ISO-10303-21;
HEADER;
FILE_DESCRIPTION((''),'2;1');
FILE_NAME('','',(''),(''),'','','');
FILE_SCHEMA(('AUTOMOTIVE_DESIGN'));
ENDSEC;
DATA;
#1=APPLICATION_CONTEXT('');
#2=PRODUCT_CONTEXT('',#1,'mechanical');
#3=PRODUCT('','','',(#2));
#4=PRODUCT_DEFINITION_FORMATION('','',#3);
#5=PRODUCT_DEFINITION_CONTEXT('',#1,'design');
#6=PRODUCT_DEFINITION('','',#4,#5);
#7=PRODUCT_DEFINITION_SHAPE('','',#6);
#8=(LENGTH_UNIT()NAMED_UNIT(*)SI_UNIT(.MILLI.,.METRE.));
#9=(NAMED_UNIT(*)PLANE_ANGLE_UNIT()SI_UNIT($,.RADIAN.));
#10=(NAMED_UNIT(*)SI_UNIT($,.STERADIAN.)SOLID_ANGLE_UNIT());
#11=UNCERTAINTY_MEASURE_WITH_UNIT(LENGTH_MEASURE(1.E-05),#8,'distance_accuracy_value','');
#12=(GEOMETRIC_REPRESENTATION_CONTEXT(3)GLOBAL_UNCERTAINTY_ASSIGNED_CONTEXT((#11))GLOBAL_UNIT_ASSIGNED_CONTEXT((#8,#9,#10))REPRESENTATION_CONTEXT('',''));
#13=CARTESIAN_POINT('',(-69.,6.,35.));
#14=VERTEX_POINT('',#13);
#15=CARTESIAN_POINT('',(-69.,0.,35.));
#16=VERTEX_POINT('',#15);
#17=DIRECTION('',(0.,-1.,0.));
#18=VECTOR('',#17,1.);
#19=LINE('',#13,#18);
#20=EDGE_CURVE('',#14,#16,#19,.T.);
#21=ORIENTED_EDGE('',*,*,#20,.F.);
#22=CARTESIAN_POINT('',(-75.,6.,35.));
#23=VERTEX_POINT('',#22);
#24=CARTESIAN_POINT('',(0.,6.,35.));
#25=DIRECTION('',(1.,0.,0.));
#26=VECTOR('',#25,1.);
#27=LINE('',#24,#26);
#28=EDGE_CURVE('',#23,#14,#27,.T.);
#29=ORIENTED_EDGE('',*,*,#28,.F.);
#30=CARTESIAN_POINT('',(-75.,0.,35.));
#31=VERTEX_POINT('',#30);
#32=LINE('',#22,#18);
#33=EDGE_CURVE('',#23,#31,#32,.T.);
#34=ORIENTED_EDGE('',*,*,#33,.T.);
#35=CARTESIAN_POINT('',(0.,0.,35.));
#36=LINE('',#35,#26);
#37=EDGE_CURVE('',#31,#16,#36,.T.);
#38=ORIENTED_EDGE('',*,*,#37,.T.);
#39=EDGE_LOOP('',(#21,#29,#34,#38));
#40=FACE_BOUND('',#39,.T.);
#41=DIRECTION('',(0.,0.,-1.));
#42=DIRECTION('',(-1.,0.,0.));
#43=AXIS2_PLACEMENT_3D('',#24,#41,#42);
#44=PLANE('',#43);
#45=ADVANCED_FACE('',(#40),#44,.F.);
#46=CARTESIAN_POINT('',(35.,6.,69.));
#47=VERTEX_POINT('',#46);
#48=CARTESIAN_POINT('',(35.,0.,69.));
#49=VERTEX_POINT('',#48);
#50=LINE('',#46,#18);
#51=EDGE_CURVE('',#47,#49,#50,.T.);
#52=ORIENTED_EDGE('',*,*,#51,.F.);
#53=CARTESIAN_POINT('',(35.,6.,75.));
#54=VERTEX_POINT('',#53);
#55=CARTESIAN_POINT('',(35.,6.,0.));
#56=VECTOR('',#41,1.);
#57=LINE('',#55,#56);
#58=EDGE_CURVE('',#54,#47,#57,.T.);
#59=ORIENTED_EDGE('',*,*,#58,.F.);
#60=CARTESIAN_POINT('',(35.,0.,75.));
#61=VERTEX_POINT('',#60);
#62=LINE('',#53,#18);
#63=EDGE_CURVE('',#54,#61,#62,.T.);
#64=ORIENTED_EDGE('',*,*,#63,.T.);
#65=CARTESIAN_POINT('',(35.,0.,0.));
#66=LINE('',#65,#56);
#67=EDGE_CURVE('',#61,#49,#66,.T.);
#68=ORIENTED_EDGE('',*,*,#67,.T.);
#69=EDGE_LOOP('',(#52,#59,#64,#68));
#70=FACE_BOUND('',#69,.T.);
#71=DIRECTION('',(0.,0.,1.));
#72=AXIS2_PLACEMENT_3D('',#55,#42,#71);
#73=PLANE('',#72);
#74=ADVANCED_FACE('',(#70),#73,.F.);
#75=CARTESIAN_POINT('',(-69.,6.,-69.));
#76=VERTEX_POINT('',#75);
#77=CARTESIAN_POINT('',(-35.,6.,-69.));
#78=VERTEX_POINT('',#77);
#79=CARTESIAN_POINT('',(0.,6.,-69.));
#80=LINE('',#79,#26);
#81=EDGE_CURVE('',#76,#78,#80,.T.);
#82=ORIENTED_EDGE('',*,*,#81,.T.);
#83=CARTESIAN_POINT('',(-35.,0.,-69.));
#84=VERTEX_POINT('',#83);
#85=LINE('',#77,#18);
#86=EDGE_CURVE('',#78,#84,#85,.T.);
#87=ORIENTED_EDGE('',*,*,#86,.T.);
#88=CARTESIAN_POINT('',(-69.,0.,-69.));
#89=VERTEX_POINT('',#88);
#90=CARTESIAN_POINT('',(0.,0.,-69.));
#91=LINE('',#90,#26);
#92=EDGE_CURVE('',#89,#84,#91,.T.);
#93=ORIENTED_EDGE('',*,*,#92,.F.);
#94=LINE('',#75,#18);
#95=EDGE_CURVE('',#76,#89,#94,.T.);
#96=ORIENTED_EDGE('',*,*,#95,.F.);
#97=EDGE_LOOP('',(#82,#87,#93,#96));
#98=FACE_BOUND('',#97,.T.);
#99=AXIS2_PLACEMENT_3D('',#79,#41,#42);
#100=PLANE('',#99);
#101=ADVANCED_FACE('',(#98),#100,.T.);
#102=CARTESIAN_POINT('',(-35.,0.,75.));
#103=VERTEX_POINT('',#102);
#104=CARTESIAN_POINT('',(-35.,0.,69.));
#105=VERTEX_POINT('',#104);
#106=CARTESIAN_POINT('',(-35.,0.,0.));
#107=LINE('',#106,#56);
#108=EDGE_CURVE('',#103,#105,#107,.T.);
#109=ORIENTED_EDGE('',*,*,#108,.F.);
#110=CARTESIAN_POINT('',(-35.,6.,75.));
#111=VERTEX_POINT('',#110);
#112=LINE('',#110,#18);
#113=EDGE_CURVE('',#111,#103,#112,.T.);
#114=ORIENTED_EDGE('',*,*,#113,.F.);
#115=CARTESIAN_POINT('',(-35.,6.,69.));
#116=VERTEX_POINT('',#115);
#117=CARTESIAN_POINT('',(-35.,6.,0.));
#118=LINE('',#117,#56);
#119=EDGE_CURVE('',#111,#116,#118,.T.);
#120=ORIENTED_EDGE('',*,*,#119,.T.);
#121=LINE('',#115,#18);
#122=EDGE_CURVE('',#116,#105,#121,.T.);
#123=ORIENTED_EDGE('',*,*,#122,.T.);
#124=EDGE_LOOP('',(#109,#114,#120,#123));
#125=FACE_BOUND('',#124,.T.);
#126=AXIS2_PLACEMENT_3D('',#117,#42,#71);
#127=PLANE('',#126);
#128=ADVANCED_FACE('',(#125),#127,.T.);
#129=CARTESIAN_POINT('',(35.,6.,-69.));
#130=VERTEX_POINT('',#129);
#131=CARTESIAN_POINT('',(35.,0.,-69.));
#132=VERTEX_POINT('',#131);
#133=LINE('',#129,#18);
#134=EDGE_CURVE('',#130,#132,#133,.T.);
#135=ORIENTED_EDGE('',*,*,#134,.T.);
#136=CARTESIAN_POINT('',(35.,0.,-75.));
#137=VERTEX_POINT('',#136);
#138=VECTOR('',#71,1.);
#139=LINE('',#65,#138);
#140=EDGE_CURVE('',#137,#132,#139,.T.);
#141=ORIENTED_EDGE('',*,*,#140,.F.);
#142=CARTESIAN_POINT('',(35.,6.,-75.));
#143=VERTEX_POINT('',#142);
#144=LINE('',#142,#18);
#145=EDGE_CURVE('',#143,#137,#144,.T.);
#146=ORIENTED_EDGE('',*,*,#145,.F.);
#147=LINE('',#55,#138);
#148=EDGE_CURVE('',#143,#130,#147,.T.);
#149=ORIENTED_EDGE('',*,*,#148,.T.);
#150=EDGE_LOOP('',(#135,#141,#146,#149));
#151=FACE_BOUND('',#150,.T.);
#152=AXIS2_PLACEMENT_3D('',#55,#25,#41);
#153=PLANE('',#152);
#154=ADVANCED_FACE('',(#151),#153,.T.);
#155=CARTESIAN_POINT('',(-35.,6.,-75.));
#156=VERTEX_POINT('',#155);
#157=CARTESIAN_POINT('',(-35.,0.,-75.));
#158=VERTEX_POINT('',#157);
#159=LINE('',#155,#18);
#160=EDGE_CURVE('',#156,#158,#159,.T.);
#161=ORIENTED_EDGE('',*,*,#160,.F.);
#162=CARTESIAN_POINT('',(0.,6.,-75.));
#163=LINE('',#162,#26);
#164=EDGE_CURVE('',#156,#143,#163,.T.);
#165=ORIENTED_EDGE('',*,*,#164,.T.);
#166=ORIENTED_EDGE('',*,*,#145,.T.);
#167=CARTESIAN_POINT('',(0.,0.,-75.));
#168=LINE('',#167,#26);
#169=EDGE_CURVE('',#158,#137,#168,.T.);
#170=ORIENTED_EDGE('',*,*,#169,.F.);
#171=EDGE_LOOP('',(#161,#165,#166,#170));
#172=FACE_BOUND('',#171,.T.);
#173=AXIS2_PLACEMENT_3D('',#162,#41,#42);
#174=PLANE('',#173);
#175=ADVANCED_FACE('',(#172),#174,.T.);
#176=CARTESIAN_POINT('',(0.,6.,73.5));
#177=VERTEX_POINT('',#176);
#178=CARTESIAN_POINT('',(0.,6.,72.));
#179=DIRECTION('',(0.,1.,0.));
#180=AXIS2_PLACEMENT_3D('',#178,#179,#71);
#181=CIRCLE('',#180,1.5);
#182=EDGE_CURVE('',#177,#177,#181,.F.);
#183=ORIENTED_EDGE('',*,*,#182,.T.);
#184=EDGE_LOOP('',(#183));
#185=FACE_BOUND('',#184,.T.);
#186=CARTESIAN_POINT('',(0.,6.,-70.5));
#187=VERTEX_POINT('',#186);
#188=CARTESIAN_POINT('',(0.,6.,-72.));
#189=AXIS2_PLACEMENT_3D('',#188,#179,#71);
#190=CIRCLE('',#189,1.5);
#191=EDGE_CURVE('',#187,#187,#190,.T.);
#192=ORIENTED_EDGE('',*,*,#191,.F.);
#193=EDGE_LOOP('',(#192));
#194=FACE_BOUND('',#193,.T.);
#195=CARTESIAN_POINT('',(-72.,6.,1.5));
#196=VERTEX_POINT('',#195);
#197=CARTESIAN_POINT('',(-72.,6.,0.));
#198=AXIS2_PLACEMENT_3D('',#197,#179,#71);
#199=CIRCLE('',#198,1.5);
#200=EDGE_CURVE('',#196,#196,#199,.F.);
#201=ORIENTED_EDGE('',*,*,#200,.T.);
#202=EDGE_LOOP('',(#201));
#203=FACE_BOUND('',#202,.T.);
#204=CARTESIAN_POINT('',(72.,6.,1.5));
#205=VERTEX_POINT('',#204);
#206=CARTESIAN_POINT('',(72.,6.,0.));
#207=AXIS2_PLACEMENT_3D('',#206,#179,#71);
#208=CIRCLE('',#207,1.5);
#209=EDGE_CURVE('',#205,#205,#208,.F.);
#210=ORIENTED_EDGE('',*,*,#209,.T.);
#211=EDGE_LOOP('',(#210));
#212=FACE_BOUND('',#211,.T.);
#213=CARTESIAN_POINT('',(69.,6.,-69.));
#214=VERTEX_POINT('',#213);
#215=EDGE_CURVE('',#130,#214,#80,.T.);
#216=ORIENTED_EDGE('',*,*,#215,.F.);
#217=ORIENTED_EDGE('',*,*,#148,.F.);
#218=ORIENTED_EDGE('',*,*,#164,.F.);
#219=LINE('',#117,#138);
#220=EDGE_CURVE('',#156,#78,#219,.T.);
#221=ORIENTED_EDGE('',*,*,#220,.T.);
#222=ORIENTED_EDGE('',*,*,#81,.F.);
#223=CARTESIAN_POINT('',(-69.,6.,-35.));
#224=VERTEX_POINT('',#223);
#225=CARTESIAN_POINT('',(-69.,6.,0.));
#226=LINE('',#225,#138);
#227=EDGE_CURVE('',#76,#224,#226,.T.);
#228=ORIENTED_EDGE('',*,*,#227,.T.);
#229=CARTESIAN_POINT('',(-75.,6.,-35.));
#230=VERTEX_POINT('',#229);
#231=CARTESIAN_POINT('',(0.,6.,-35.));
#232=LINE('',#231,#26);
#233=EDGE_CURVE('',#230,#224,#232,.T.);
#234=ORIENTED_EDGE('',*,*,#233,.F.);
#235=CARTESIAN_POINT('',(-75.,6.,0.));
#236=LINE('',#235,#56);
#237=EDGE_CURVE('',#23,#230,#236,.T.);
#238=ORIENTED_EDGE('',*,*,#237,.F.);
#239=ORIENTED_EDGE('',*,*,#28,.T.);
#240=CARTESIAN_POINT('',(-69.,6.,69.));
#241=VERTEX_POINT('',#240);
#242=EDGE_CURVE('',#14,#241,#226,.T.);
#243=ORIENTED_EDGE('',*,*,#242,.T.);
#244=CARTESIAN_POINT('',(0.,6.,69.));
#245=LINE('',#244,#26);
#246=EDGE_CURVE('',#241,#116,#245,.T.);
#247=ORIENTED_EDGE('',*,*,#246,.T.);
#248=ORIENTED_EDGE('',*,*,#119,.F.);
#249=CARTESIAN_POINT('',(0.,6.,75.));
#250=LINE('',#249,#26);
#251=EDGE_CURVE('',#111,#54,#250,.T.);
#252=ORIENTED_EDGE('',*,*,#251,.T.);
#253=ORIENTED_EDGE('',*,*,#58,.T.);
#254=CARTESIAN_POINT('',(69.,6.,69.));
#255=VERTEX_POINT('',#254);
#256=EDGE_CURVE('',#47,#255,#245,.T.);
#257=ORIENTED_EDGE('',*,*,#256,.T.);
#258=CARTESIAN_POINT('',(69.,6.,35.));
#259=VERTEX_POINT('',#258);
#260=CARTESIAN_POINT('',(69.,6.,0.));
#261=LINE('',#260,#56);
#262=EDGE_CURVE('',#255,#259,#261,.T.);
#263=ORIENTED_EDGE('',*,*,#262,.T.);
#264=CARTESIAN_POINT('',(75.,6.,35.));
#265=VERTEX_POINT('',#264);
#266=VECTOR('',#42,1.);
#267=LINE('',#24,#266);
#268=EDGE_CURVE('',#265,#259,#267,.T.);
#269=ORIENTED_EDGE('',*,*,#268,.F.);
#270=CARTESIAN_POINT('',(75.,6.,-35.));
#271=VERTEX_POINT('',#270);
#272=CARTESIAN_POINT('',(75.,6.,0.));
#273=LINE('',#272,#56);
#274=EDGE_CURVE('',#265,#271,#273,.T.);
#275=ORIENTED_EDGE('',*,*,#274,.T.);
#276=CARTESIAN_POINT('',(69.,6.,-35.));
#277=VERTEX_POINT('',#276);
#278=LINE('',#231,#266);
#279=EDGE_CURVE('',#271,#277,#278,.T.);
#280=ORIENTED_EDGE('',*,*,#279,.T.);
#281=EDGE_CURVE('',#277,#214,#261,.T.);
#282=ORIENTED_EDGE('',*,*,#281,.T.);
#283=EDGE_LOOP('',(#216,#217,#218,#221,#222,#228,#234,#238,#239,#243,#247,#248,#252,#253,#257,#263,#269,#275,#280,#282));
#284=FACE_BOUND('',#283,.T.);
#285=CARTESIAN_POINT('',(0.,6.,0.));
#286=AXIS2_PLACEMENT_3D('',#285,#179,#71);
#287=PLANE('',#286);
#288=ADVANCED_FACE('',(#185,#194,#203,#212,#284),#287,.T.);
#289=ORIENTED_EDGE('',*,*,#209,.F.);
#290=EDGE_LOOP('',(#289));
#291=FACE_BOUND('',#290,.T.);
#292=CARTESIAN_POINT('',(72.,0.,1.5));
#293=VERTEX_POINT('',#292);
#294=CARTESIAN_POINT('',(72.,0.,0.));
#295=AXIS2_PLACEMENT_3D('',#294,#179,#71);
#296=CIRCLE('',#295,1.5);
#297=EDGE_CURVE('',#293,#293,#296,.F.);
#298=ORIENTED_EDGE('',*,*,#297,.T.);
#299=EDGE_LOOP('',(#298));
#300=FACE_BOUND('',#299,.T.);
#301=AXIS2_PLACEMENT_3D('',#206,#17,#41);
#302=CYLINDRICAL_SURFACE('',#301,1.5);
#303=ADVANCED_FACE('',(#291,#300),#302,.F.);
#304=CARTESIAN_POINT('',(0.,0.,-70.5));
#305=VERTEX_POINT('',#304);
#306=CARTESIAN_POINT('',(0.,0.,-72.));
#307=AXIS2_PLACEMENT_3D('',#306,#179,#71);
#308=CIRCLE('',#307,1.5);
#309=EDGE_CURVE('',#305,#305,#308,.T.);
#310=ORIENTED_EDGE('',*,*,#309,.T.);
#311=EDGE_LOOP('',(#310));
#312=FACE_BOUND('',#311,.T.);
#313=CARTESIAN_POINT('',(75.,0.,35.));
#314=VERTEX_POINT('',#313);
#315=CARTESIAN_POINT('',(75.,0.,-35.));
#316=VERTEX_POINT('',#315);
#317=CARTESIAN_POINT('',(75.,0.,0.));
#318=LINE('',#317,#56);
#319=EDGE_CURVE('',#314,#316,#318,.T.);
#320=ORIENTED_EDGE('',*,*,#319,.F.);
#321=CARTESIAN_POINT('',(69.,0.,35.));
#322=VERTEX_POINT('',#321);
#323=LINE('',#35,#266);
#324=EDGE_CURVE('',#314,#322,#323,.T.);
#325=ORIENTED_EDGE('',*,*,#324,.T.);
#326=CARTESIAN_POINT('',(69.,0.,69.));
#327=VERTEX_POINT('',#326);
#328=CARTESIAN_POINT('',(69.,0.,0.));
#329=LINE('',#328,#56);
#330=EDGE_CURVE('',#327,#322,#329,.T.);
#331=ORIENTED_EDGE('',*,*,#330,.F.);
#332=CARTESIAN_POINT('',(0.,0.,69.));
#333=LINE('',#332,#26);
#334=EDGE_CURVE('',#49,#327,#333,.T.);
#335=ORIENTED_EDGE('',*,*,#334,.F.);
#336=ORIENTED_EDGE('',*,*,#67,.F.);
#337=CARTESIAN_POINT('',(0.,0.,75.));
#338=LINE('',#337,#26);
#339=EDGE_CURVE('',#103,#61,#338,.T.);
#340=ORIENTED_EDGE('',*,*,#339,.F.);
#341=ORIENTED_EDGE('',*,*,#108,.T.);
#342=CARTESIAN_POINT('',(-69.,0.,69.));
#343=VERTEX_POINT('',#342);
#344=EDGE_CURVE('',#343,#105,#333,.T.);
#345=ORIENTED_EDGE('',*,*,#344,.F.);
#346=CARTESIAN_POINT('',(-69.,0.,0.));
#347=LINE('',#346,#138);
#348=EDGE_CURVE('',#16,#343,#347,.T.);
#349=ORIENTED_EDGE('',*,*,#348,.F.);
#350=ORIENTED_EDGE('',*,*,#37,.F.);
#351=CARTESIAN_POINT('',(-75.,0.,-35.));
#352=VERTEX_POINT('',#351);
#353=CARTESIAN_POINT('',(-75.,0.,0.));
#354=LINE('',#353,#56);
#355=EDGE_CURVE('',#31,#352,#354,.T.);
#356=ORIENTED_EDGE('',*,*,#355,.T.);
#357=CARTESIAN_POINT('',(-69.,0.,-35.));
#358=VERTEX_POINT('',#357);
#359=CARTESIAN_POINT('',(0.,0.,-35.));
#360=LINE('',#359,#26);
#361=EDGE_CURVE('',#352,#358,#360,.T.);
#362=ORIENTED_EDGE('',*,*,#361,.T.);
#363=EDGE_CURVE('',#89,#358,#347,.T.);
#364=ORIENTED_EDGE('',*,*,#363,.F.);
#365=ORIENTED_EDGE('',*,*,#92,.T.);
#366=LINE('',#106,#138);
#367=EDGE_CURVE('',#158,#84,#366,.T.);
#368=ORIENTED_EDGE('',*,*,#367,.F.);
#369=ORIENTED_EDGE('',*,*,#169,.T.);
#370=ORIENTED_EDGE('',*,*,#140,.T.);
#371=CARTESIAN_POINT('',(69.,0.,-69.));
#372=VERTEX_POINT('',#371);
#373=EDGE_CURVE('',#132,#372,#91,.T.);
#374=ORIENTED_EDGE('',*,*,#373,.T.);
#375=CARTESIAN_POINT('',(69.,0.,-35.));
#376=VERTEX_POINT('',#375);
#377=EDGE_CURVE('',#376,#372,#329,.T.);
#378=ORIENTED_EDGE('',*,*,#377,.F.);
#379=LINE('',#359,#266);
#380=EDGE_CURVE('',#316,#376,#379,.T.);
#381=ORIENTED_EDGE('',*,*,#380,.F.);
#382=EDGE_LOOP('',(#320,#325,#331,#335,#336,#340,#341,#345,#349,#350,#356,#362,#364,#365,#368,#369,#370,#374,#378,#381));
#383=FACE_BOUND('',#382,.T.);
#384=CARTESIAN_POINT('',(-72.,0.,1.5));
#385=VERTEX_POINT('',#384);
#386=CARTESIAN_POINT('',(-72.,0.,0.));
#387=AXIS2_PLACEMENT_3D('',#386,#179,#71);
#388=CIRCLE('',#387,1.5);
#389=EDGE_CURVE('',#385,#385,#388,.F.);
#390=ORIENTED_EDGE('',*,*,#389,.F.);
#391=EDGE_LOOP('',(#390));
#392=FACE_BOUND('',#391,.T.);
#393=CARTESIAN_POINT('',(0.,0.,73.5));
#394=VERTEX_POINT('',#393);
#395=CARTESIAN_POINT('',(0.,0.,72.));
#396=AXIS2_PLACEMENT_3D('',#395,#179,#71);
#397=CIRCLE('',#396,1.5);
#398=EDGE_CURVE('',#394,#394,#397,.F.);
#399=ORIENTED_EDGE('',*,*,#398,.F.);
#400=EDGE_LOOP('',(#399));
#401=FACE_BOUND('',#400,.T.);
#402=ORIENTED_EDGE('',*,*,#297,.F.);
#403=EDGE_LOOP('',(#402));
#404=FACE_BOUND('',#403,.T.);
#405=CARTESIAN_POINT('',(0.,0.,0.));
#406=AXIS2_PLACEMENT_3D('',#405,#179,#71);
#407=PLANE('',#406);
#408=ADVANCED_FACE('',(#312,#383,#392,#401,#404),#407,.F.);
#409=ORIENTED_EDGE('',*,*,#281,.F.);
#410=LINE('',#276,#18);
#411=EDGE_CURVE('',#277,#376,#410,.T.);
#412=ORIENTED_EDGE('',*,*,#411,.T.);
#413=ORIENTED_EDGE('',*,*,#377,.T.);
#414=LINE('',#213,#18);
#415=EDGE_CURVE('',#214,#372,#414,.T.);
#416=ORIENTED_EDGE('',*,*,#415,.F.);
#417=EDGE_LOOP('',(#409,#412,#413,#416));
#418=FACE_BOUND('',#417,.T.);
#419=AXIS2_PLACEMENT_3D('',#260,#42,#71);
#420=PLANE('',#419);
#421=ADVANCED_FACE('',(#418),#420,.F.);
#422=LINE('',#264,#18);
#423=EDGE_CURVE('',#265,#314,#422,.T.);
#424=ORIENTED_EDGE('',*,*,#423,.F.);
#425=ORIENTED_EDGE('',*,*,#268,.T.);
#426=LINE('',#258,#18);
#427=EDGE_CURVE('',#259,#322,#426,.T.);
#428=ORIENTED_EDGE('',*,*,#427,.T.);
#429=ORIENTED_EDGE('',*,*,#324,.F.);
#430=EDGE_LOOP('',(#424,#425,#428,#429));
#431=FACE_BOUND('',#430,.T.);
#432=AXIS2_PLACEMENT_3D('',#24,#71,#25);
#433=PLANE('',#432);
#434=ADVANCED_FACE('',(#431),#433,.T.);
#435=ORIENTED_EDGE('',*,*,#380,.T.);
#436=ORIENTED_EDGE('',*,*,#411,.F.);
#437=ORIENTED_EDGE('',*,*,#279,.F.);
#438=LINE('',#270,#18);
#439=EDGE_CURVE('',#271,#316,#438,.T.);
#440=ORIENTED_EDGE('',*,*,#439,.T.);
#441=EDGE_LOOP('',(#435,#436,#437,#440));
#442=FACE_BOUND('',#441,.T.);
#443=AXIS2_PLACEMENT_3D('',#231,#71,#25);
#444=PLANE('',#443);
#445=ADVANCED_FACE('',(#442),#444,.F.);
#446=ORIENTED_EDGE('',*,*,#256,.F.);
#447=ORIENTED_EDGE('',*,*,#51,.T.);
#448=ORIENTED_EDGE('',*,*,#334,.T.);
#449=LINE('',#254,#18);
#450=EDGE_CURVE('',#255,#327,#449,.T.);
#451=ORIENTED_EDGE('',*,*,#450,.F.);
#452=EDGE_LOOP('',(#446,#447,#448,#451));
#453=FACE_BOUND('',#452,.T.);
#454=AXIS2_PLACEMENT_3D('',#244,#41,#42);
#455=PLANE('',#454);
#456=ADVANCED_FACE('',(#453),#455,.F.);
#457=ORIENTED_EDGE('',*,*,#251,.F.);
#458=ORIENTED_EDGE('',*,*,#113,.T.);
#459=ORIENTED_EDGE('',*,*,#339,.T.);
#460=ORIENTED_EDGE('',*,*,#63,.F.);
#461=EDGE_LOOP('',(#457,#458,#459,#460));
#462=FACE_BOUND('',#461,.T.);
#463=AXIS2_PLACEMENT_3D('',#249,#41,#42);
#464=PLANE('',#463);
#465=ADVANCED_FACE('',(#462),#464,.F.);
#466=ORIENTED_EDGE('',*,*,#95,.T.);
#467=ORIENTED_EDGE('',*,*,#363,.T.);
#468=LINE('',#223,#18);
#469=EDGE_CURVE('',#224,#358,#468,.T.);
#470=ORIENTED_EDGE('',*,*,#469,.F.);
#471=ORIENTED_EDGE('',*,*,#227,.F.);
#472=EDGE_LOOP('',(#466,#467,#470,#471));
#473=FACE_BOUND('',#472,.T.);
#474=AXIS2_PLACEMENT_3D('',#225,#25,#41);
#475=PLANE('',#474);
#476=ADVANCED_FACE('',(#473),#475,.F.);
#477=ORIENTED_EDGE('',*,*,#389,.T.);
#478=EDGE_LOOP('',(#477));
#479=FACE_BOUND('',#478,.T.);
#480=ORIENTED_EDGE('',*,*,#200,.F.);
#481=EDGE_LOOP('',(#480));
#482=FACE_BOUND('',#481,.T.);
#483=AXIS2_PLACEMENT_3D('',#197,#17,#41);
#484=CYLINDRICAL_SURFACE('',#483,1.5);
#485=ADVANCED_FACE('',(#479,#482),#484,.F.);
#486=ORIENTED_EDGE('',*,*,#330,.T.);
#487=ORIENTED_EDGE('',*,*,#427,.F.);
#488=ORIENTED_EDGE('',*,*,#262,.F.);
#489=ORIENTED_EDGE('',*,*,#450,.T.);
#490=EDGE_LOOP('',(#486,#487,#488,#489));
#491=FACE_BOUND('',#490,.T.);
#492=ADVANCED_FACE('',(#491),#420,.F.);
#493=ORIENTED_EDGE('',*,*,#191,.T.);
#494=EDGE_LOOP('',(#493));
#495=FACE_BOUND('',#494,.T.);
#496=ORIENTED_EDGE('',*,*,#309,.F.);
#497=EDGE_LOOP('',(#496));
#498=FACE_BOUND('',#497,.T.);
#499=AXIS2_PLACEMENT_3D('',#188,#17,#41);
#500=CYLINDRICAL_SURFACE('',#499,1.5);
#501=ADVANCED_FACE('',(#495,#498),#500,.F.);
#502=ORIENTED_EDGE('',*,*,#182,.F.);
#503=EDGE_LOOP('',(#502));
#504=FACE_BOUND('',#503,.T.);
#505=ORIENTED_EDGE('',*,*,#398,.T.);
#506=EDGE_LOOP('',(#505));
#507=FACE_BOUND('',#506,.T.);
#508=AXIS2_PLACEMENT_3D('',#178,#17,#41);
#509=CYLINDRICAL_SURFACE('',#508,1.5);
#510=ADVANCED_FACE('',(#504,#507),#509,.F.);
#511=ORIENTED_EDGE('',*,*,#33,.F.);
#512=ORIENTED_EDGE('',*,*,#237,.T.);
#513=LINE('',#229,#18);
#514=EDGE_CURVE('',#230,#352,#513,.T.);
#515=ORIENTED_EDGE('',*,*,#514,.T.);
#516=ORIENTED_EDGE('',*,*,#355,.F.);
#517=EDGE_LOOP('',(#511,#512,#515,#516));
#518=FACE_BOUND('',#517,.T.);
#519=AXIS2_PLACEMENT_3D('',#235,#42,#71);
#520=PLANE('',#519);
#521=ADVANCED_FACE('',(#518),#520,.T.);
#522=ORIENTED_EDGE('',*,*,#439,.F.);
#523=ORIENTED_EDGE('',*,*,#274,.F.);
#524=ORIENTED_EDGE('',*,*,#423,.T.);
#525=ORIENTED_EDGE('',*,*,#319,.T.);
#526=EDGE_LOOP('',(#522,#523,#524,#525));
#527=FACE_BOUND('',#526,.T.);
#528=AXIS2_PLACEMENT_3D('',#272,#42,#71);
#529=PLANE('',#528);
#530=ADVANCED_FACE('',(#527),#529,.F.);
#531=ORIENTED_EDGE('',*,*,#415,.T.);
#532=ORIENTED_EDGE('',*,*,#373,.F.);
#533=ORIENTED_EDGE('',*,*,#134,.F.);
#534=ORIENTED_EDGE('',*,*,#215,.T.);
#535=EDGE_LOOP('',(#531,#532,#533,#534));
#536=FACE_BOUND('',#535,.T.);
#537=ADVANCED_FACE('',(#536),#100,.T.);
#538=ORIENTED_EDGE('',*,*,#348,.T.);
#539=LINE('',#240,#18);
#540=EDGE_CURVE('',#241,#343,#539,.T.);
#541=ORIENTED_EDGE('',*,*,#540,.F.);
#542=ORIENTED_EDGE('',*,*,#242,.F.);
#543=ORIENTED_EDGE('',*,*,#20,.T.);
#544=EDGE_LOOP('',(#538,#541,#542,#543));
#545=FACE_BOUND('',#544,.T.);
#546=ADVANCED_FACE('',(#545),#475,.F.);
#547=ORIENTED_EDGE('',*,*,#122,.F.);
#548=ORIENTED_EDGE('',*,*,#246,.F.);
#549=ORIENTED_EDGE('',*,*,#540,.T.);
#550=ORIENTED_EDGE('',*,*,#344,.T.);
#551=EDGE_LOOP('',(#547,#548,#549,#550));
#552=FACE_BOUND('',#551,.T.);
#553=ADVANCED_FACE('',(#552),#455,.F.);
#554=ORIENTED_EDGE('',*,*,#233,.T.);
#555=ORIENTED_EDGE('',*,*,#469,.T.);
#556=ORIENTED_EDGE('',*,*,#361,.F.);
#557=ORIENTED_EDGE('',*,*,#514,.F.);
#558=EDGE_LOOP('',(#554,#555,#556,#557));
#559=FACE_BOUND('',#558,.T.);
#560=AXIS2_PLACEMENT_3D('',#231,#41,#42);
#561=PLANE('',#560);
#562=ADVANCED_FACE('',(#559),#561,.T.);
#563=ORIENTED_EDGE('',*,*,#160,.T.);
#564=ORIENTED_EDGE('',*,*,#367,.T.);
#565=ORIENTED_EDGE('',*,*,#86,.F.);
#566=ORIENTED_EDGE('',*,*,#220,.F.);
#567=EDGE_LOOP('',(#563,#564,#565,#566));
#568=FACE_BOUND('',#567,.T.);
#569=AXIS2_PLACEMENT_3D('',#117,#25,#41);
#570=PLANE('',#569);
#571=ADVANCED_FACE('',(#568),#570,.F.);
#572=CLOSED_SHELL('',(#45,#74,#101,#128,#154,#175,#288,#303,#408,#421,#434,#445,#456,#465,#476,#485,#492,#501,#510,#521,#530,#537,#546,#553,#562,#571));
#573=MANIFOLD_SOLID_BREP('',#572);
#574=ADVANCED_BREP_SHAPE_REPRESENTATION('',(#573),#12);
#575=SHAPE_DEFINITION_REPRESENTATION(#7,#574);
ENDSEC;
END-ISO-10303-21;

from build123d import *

# Parameters (mm, degrees)
SKETCH1_R           = 1.5
BOSS_EXTRUDE1_DEPTH = 6


with BuildPart() as part:
    # Sketch1 → Boss-Extrude1 (new body)
    with BuildSketch(Plane(origin=(0, 0, 0), x_dir=(1, 0, 0), z_dir=(0, 1, 0))):
        Polygon((69, 69), (35, 69), (35, 75), (-35, 75), (-35, 69), (-69, 69), (-69, 35), (-75, 35), (-75, -35), (-69, -35), (-69, -69), (-35, -69), (-35, -75), (35, -75), (35, -69), (69, -69), (69, -35), (75, -35), (75, 35), (69, 35), align=None)
        with Locations((0, 72)):
            Circle(SKETCH1_R, mode=Mode.SUBTRACT)
        with Locations((-72, 0)):
            Circle(SKETCH1_R, mode=Mode.SUBTRACT)
        with Locations((72, 0)):
            Circle(SKETCH1_R, mode=Mode.SUBTRACT)
        with Locations((0, -72)):
            Circle(SKETCH1_R, mode=Mode.SUBTRACT)
    extrude(amount=BOSS_EXTRUDE1_DEPTH)


solid = part.part
